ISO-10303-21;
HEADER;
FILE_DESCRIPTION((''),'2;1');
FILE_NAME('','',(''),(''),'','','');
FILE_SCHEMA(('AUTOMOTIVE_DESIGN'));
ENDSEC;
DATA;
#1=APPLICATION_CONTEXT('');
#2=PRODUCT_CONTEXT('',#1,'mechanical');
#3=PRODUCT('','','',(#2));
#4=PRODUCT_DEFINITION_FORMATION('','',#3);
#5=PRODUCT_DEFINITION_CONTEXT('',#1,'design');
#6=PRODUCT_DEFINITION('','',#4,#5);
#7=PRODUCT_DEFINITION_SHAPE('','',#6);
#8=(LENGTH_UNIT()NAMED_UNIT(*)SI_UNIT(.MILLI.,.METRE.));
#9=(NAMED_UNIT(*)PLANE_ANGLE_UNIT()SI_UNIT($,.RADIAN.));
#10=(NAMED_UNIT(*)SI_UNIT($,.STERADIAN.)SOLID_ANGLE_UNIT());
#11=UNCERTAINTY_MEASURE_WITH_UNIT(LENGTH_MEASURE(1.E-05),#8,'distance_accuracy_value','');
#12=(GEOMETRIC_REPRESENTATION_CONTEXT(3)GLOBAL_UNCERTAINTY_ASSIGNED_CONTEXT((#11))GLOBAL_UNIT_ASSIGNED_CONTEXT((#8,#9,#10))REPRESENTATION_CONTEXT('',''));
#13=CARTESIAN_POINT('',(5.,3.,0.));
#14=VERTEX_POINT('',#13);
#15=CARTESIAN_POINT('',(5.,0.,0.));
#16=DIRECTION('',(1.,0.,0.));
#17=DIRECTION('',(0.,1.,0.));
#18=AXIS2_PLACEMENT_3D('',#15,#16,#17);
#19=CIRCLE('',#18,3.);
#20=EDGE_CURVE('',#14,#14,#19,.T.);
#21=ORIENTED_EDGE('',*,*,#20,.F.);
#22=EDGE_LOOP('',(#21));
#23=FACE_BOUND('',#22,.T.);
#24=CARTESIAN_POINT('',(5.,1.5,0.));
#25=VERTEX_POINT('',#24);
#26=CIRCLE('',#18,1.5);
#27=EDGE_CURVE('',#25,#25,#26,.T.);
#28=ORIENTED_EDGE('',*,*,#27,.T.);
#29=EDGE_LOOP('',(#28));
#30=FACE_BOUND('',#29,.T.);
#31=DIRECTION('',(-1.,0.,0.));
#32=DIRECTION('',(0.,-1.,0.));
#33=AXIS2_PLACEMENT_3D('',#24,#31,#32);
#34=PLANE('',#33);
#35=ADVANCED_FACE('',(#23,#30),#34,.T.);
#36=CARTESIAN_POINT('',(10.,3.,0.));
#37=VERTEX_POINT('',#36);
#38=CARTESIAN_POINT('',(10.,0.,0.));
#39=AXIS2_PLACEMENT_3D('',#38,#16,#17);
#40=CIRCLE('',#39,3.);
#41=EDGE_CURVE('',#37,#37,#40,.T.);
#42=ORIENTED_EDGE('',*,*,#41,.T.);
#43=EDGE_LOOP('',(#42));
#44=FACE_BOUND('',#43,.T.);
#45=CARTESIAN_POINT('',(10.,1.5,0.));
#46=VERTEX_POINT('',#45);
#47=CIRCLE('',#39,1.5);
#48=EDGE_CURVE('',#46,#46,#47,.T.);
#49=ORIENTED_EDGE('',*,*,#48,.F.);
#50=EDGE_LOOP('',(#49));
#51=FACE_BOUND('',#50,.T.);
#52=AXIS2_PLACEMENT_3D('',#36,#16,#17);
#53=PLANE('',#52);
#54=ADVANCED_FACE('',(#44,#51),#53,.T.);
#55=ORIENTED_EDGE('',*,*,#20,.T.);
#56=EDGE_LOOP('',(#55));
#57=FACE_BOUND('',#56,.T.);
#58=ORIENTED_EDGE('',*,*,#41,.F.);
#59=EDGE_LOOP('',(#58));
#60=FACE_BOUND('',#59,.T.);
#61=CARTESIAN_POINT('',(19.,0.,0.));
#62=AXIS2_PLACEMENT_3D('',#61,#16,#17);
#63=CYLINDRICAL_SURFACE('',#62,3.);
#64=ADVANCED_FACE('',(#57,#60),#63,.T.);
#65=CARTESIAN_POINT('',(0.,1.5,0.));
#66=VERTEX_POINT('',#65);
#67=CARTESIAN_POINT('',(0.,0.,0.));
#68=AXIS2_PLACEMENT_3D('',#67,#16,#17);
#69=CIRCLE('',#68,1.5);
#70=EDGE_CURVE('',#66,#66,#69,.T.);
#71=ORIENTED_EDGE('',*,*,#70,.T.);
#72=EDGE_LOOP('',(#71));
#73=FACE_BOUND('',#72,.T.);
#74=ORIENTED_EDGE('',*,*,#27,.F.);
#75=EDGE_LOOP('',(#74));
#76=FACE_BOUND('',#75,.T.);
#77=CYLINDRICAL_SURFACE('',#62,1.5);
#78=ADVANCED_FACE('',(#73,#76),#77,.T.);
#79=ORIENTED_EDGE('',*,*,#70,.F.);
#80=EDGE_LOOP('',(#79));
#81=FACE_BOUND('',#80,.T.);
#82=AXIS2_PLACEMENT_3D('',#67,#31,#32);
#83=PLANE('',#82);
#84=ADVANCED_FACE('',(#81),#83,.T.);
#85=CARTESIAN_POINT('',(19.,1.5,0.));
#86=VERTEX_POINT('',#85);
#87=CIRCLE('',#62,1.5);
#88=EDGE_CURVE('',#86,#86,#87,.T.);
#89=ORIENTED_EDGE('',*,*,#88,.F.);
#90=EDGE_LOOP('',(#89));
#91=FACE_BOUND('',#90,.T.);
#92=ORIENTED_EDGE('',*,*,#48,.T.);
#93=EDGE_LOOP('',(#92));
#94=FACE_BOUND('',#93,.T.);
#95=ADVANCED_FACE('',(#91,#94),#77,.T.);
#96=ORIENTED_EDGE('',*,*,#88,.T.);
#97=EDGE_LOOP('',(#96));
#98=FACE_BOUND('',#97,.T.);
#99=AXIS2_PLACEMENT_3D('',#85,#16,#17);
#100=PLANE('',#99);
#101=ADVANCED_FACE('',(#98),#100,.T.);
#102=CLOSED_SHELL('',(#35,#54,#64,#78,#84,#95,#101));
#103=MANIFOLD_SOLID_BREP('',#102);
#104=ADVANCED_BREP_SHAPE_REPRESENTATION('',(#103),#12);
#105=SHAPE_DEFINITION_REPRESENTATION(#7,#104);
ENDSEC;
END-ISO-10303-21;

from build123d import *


with BuildPart() as part:
    # Esquisse1 → Révolution1 (revolve)
    with BuildSketch(Plane.XY):
        Polygon((0, 0), (0, 1.5), (5, 1.5), (5, 3), (10, 3), (10, 1.5), (19, 1.5), (19, 0), align=None)
    revolve(axis=Axis((19, 0, 0), (-1, 0, 0)))


solid = part.part
